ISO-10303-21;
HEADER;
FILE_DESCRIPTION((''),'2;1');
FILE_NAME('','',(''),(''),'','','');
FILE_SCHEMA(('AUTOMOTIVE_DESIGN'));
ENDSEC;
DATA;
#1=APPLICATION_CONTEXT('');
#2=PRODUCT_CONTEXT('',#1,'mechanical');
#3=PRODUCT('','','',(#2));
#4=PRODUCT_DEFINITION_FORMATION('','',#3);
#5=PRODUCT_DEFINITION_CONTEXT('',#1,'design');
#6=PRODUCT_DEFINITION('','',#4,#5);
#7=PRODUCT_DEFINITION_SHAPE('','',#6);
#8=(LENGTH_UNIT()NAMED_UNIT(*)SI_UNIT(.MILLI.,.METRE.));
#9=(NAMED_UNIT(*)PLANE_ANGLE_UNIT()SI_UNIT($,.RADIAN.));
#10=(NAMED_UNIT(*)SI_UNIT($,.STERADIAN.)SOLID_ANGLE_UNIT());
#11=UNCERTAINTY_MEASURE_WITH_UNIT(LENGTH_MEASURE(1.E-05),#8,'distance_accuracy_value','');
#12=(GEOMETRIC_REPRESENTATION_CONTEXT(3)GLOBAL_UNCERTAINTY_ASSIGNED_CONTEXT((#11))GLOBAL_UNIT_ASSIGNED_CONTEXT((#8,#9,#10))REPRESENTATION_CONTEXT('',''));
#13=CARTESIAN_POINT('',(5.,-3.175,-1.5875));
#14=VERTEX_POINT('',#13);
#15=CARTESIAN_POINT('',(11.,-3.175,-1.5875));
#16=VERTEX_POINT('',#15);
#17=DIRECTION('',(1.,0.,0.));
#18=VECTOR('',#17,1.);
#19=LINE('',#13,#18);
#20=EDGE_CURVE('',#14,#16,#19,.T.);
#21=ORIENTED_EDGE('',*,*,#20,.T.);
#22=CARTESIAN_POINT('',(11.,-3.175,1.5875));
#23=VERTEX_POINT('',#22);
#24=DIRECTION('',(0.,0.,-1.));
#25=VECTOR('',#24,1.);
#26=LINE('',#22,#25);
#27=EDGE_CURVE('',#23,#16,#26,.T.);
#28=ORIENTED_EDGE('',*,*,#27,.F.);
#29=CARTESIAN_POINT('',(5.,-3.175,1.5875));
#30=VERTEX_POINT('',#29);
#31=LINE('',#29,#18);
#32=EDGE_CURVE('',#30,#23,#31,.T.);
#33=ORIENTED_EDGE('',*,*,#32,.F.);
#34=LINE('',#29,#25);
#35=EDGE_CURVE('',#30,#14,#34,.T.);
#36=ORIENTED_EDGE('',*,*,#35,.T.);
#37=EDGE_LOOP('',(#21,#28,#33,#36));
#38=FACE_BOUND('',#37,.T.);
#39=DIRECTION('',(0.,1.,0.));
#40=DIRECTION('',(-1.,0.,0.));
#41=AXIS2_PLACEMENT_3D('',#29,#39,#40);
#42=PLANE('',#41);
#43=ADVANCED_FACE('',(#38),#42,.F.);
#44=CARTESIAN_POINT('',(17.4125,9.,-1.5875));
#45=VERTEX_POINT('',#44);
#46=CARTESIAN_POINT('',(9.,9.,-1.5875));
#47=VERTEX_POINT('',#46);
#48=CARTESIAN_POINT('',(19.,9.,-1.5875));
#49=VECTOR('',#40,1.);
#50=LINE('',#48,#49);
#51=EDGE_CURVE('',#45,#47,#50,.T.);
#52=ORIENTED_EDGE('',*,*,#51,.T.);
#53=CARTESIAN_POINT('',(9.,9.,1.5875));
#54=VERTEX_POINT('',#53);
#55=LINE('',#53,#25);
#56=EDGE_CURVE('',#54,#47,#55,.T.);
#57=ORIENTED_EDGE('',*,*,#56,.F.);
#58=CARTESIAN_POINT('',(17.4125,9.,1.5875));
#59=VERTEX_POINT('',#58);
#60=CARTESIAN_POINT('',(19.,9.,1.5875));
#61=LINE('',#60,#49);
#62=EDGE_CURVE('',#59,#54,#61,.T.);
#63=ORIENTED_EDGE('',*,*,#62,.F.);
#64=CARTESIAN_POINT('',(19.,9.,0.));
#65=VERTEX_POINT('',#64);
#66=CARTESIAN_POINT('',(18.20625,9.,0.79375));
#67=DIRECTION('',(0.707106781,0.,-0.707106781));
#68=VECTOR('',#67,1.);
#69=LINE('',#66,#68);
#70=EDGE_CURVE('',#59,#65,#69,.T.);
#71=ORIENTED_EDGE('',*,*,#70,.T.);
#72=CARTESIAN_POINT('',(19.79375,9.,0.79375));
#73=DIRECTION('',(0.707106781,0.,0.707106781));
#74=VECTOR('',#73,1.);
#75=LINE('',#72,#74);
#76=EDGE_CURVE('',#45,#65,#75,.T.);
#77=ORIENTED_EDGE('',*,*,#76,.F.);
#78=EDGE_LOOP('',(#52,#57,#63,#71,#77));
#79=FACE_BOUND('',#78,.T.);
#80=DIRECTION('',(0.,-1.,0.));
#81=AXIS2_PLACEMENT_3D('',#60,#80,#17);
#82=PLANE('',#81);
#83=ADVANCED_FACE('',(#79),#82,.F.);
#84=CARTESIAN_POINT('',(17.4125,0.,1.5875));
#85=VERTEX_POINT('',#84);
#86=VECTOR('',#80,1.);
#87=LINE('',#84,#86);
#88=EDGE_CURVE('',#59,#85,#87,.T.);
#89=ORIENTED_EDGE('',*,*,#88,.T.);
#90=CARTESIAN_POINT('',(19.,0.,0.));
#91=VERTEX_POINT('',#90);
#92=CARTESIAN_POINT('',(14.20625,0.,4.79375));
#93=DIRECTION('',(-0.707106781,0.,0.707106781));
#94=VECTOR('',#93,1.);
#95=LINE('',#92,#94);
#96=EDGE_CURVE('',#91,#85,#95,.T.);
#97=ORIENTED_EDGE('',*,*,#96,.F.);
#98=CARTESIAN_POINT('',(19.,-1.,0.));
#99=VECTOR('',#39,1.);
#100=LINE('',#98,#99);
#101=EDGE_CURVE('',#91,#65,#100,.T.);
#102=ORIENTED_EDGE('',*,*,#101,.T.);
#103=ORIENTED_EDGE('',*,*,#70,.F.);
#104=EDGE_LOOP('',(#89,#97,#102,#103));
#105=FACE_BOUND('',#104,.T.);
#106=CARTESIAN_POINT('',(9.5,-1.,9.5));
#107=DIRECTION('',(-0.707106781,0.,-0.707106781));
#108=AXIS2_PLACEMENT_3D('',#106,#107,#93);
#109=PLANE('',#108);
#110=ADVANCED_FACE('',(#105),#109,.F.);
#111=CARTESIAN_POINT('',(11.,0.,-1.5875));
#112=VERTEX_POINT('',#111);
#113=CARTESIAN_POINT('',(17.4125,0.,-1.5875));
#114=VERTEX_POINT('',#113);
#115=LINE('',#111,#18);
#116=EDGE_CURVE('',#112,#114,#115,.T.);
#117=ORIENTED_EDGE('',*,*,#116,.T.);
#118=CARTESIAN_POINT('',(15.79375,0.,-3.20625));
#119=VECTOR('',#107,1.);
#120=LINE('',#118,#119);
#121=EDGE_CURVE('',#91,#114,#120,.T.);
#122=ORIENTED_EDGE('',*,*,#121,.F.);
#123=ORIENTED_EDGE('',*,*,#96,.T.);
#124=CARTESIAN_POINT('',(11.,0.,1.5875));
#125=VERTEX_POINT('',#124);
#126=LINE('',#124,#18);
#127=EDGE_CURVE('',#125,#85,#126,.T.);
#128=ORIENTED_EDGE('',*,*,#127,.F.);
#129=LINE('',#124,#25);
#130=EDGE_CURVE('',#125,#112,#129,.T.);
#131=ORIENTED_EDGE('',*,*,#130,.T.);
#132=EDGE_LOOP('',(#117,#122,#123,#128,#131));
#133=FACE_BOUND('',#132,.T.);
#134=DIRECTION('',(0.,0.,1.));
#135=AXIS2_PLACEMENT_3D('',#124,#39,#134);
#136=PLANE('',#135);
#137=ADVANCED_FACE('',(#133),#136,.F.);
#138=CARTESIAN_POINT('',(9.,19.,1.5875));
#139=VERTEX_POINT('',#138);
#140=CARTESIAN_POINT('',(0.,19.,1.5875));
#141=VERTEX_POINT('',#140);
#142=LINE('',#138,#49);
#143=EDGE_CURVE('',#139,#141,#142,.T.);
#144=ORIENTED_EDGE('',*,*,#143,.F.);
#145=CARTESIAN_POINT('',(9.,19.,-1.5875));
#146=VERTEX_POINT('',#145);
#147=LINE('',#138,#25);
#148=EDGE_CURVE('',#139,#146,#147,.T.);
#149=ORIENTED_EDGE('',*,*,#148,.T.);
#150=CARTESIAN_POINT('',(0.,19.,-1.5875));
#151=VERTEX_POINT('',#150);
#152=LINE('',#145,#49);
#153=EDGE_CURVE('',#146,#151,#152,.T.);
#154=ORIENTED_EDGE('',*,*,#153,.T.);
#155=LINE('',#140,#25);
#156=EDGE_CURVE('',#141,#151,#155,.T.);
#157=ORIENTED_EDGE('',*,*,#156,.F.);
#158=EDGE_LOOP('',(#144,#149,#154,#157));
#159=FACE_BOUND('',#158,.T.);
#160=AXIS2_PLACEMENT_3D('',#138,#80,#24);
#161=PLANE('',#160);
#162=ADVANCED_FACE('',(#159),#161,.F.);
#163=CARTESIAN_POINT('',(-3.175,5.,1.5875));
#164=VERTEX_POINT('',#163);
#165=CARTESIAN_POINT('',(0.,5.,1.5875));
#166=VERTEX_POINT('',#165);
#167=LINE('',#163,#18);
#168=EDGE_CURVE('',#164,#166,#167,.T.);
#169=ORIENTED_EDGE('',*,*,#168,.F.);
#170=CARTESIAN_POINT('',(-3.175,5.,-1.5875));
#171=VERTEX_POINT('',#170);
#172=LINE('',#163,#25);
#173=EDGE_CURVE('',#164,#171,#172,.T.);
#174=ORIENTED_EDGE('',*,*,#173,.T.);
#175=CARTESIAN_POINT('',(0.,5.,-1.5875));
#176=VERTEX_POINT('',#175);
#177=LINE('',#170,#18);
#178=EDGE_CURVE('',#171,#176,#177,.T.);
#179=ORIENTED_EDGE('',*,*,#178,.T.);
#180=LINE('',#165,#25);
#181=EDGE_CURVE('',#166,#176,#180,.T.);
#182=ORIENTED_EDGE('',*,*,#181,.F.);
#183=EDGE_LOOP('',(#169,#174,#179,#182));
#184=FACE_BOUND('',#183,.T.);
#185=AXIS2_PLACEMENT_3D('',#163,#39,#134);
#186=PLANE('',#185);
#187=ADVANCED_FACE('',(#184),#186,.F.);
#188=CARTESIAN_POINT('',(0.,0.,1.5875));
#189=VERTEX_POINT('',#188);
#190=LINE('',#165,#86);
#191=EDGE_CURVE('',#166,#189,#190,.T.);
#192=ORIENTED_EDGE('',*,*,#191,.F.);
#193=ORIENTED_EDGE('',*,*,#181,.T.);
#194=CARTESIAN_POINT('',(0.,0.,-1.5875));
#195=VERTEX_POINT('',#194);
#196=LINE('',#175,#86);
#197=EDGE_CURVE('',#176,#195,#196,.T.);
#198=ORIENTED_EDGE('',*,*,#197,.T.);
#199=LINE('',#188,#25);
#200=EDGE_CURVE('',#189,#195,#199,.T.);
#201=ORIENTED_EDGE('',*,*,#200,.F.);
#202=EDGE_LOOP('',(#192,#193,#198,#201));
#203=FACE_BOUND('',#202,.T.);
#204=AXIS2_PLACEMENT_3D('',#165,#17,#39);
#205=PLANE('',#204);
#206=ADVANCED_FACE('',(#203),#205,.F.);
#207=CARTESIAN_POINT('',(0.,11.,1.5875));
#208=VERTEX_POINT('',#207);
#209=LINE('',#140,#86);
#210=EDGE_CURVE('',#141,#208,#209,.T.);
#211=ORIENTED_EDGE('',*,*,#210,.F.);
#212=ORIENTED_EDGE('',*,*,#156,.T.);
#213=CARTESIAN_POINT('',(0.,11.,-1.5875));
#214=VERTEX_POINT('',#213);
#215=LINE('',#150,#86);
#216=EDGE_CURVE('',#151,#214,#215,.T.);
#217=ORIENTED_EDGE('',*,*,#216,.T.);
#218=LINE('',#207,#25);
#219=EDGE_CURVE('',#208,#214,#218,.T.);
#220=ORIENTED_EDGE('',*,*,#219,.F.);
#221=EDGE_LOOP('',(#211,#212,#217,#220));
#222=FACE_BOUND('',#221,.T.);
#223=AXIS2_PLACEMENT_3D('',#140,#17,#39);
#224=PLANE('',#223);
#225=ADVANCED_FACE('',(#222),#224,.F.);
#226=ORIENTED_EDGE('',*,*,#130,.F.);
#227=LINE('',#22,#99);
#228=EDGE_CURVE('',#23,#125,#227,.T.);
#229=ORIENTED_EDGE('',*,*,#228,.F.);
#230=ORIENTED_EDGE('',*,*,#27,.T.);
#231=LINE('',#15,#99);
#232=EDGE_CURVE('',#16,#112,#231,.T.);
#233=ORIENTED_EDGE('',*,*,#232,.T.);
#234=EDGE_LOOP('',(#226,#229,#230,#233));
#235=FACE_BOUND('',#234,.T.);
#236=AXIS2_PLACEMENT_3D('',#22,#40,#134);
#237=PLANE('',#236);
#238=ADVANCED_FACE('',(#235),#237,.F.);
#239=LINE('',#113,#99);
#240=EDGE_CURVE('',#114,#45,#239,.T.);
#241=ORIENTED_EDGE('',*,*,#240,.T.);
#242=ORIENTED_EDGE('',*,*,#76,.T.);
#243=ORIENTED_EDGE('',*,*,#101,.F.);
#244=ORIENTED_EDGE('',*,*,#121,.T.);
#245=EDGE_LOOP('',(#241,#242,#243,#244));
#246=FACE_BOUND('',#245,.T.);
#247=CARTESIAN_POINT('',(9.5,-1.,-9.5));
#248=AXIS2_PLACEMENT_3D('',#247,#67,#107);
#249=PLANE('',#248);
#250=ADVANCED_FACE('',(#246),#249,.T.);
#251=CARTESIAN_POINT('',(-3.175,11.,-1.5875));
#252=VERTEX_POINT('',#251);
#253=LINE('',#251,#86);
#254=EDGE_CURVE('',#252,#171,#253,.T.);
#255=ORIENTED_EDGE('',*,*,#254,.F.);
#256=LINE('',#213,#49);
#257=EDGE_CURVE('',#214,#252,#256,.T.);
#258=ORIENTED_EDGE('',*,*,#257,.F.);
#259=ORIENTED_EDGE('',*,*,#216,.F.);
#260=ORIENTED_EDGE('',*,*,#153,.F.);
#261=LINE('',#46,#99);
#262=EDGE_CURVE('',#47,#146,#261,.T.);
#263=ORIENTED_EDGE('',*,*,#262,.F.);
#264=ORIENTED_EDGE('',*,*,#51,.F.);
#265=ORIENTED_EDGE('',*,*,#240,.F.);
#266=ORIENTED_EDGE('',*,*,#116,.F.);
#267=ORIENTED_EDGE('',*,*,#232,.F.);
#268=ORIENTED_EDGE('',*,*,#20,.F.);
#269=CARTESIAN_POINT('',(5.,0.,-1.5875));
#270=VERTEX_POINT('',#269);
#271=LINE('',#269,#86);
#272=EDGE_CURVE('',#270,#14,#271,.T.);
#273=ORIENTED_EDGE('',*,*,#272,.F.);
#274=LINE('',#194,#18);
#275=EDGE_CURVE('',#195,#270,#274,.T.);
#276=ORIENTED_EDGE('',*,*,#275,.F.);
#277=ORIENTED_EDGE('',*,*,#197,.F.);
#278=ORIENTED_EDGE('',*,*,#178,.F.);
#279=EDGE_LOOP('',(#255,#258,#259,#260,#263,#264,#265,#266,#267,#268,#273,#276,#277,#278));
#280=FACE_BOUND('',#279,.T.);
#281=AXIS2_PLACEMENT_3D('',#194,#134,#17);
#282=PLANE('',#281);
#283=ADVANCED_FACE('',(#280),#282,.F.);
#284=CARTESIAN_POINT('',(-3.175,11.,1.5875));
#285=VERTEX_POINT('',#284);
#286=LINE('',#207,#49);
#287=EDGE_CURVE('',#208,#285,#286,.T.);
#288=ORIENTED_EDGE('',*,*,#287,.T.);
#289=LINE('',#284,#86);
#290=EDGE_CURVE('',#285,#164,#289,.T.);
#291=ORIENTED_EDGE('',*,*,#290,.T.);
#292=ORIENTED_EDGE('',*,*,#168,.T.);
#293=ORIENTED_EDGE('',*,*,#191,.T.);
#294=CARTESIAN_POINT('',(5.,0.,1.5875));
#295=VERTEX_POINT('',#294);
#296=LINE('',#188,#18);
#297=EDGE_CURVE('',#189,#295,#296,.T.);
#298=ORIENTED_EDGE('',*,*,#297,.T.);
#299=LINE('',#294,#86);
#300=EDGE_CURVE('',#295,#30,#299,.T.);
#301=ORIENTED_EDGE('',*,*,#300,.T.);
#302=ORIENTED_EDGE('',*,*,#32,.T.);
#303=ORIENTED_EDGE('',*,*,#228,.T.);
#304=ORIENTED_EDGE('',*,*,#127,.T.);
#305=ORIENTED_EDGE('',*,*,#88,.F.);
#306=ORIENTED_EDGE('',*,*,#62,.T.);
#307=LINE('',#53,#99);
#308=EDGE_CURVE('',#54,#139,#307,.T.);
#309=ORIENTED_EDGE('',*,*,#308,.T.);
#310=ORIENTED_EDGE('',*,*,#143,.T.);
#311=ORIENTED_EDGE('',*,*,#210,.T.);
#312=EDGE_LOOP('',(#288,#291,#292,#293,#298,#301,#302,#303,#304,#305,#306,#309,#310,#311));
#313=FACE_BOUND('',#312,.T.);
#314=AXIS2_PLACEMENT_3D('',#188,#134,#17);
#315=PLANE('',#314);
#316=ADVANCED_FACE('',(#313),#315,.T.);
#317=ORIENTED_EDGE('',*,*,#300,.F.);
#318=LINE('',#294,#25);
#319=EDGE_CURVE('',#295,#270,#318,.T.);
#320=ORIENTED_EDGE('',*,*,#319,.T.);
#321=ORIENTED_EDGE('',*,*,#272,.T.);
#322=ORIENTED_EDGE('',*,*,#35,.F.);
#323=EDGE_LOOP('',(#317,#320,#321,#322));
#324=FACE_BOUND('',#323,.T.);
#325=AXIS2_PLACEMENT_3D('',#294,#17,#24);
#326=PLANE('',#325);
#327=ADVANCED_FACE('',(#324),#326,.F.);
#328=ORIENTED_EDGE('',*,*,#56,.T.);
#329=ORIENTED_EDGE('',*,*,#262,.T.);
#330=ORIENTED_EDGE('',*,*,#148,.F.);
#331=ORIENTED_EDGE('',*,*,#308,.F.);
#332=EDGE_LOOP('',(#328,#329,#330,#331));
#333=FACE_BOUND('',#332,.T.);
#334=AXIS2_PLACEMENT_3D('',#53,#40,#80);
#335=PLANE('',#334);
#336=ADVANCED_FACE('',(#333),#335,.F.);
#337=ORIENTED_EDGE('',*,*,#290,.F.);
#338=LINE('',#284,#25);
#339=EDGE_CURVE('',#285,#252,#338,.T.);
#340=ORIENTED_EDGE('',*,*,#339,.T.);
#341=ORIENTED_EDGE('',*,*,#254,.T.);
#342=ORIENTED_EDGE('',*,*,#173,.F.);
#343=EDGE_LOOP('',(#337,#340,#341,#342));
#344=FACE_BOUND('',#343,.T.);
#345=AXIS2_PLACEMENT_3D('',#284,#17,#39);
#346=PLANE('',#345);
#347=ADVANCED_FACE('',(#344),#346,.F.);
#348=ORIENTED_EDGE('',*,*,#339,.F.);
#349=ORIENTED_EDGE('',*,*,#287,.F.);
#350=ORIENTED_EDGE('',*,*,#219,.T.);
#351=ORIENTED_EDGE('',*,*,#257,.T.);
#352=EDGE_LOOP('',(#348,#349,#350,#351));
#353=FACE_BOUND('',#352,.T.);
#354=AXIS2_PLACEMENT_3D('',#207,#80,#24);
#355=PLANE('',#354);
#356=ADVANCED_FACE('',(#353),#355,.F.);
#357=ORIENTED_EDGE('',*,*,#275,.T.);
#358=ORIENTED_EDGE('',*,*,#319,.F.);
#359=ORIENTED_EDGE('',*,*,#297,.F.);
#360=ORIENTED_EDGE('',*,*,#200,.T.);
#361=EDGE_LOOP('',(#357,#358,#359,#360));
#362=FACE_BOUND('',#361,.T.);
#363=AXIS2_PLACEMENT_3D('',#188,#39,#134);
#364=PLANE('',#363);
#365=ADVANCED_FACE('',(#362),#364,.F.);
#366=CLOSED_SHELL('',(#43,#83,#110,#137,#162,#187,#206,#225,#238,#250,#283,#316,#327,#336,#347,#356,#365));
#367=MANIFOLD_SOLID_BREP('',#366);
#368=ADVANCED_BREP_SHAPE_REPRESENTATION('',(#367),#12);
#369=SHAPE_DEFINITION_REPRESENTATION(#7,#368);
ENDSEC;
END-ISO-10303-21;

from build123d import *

# Parameters (mm, degrees)
BOSS_EXTRUDE1_DEPTH = 1.5875
CUT_EXTRUDE3_DEPTH  = 10


with BuildPart() as part:
    # Sketch1 → Boss-Extrude1 (new, symmetric)
    with BuildSketch(Plane.XY):
        Polygon((0, 0), (5, 0), (5, -3.175), (11, -3.175), (11, 0), (19, 0), (19, 9), (9, 9), (9, 19), (0, 19), (0, 11), (-3.175, 11), (-3.175, 5), (0, 5), align=None)
    extrude(amount=BOSS_EXTRUDE1_DEPTH, both=True)

    # Sketch2 → Cut-Extrude3 (cut, symmetric)
    with BuildSketch(Plane(origin=(0, 9, 0), x_dir=(1, 0, 0), z_dir=(0, 1, 0))):
        Polygon((19, 0), (17.4125, -1.5875), (19.19836718, -4.188524989), (21.145490005, 0), (20.434145586, 3.927655586), (17.4125, 1.5875), align=None)
    extrude(amount=CUT_EXTRUDE3_DEPTH, both=True, mode=Mode.SUBTRACT)


solid = part.part
